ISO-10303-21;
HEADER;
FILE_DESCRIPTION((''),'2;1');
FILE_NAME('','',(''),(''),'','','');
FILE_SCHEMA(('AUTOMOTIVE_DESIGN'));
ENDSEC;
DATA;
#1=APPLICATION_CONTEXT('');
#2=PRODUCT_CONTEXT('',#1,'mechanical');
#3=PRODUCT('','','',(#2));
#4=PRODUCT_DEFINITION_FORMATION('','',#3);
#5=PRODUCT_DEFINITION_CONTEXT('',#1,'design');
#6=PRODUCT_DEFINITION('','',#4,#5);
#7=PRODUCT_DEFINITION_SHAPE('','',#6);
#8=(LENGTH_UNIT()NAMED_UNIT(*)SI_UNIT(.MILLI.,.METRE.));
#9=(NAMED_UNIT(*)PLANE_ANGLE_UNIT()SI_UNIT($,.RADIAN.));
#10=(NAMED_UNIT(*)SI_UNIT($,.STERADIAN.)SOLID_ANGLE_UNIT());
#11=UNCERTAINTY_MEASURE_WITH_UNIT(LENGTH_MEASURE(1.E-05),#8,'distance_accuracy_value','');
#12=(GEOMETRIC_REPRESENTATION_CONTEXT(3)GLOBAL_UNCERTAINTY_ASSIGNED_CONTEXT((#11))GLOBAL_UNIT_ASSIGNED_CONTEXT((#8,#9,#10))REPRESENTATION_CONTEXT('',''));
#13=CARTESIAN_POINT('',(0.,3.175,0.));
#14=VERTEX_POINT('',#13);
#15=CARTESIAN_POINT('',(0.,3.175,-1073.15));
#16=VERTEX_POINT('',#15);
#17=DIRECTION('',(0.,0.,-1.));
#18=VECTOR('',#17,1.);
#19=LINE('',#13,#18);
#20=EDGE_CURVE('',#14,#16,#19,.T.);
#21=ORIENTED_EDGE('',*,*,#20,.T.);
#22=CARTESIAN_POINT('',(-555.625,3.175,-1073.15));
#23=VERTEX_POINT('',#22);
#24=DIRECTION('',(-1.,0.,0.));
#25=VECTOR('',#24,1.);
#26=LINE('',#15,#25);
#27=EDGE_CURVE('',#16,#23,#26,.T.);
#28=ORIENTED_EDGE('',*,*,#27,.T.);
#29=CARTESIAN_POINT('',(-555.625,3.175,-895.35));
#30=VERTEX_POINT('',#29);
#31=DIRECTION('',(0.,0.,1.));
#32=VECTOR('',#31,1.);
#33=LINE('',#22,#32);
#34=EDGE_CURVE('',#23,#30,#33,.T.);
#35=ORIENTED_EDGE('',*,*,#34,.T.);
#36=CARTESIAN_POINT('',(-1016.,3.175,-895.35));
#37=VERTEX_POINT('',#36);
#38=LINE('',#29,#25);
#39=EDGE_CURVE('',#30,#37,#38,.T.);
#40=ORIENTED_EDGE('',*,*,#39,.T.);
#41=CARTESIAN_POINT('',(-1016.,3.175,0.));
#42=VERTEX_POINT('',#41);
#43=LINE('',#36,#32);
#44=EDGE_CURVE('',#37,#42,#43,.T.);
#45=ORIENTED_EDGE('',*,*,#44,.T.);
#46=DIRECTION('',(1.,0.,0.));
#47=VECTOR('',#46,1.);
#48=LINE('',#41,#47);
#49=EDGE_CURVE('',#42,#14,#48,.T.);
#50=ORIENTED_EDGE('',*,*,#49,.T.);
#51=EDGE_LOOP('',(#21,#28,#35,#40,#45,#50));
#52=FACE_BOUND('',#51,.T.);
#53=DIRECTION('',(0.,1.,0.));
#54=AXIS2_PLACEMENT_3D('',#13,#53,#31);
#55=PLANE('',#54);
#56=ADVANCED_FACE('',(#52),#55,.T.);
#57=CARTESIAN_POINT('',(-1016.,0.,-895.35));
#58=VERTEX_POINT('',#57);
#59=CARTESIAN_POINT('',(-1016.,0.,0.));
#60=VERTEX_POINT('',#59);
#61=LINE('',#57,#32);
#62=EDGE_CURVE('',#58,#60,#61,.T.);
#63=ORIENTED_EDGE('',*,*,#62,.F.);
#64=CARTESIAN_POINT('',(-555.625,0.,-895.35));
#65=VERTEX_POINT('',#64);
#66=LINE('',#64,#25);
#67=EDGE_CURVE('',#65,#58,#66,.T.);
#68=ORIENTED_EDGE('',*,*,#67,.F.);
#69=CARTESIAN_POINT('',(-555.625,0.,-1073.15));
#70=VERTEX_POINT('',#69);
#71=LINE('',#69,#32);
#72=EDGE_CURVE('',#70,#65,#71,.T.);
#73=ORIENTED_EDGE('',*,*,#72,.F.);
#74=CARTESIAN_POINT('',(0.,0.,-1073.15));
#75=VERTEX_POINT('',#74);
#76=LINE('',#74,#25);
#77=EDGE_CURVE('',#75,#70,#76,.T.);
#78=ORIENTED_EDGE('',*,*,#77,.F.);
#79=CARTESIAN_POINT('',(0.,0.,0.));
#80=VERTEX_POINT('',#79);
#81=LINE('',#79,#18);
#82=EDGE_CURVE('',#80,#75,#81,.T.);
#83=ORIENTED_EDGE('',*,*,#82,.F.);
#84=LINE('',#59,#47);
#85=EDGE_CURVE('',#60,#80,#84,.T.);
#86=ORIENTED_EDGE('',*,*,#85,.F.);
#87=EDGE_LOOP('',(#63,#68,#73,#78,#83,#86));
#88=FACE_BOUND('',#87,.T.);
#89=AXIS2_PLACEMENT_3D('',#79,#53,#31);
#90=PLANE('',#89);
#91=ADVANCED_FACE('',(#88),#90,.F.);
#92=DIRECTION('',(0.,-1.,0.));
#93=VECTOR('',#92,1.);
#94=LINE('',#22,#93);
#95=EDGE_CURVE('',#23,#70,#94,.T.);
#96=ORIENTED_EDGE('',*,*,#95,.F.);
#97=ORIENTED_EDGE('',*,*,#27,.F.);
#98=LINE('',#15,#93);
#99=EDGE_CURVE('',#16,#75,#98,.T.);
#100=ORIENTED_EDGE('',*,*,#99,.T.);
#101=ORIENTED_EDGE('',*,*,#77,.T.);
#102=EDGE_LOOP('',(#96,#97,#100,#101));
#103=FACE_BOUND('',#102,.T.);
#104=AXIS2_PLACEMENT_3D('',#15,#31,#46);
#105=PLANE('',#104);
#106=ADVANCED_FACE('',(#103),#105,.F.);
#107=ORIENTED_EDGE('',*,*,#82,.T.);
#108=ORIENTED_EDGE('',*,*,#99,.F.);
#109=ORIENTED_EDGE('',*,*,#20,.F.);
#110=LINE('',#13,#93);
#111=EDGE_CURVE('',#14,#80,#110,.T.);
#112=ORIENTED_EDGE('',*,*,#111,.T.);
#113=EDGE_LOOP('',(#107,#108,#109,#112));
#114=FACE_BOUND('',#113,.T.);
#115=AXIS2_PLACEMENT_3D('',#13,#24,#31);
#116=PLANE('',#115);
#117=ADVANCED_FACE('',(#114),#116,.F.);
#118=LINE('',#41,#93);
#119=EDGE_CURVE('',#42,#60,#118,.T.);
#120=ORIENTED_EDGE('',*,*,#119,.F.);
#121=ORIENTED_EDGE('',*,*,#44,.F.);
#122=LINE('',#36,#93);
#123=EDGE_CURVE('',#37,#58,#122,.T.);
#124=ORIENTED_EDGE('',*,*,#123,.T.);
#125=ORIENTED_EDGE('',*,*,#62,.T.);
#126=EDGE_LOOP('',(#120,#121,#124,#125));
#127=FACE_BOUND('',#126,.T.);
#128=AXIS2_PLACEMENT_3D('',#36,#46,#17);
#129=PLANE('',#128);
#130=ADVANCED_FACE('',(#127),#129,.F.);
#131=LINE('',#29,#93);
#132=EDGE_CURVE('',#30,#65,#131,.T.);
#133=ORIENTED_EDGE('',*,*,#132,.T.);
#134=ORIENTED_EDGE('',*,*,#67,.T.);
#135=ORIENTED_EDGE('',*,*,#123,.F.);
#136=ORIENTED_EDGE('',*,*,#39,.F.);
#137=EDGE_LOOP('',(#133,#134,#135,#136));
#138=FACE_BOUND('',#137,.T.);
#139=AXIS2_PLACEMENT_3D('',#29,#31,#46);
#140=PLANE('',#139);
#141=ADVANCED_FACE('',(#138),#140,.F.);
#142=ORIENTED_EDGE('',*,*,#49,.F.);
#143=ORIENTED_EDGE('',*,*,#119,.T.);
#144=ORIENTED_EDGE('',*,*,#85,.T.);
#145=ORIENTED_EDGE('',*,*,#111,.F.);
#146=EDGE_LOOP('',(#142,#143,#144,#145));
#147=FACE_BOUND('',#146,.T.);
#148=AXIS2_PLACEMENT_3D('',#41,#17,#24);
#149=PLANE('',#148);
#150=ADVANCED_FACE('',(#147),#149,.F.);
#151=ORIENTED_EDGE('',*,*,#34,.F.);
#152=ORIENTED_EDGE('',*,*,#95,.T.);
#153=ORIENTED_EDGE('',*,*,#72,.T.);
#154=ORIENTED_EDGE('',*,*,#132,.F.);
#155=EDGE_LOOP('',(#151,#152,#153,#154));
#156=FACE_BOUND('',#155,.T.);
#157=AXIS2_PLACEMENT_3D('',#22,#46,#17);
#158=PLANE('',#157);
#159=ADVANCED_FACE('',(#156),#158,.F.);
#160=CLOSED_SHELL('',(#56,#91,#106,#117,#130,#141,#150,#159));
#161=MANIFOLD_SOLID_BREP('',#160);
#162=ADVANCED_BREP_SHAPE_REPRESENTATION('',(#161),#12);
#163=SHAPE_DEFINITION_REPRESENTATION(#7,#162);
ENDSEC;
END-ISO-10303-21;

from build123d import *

# Parameters (mm, degrees)
BOSS_EXTRUDE1_DEPTH = 3.175


with BuildPart() as part:
    # Sketch1 → Boss-Extrude1 (new body)
    with BuildSketch(Plane(origin=(0, 0, 0), x_dir=(1, 0, 0), z_dir=(0, 1, 0))):
        Polygon((0, 0), (0, 1073.15), (-555.625, 1073.15), (-555.625, 895.35), (-1016, 895.35), (-1016, 0), align=None)
    extrude(amount=BOSS_EXTRUDE1_DEPTH)


solid = part.part
